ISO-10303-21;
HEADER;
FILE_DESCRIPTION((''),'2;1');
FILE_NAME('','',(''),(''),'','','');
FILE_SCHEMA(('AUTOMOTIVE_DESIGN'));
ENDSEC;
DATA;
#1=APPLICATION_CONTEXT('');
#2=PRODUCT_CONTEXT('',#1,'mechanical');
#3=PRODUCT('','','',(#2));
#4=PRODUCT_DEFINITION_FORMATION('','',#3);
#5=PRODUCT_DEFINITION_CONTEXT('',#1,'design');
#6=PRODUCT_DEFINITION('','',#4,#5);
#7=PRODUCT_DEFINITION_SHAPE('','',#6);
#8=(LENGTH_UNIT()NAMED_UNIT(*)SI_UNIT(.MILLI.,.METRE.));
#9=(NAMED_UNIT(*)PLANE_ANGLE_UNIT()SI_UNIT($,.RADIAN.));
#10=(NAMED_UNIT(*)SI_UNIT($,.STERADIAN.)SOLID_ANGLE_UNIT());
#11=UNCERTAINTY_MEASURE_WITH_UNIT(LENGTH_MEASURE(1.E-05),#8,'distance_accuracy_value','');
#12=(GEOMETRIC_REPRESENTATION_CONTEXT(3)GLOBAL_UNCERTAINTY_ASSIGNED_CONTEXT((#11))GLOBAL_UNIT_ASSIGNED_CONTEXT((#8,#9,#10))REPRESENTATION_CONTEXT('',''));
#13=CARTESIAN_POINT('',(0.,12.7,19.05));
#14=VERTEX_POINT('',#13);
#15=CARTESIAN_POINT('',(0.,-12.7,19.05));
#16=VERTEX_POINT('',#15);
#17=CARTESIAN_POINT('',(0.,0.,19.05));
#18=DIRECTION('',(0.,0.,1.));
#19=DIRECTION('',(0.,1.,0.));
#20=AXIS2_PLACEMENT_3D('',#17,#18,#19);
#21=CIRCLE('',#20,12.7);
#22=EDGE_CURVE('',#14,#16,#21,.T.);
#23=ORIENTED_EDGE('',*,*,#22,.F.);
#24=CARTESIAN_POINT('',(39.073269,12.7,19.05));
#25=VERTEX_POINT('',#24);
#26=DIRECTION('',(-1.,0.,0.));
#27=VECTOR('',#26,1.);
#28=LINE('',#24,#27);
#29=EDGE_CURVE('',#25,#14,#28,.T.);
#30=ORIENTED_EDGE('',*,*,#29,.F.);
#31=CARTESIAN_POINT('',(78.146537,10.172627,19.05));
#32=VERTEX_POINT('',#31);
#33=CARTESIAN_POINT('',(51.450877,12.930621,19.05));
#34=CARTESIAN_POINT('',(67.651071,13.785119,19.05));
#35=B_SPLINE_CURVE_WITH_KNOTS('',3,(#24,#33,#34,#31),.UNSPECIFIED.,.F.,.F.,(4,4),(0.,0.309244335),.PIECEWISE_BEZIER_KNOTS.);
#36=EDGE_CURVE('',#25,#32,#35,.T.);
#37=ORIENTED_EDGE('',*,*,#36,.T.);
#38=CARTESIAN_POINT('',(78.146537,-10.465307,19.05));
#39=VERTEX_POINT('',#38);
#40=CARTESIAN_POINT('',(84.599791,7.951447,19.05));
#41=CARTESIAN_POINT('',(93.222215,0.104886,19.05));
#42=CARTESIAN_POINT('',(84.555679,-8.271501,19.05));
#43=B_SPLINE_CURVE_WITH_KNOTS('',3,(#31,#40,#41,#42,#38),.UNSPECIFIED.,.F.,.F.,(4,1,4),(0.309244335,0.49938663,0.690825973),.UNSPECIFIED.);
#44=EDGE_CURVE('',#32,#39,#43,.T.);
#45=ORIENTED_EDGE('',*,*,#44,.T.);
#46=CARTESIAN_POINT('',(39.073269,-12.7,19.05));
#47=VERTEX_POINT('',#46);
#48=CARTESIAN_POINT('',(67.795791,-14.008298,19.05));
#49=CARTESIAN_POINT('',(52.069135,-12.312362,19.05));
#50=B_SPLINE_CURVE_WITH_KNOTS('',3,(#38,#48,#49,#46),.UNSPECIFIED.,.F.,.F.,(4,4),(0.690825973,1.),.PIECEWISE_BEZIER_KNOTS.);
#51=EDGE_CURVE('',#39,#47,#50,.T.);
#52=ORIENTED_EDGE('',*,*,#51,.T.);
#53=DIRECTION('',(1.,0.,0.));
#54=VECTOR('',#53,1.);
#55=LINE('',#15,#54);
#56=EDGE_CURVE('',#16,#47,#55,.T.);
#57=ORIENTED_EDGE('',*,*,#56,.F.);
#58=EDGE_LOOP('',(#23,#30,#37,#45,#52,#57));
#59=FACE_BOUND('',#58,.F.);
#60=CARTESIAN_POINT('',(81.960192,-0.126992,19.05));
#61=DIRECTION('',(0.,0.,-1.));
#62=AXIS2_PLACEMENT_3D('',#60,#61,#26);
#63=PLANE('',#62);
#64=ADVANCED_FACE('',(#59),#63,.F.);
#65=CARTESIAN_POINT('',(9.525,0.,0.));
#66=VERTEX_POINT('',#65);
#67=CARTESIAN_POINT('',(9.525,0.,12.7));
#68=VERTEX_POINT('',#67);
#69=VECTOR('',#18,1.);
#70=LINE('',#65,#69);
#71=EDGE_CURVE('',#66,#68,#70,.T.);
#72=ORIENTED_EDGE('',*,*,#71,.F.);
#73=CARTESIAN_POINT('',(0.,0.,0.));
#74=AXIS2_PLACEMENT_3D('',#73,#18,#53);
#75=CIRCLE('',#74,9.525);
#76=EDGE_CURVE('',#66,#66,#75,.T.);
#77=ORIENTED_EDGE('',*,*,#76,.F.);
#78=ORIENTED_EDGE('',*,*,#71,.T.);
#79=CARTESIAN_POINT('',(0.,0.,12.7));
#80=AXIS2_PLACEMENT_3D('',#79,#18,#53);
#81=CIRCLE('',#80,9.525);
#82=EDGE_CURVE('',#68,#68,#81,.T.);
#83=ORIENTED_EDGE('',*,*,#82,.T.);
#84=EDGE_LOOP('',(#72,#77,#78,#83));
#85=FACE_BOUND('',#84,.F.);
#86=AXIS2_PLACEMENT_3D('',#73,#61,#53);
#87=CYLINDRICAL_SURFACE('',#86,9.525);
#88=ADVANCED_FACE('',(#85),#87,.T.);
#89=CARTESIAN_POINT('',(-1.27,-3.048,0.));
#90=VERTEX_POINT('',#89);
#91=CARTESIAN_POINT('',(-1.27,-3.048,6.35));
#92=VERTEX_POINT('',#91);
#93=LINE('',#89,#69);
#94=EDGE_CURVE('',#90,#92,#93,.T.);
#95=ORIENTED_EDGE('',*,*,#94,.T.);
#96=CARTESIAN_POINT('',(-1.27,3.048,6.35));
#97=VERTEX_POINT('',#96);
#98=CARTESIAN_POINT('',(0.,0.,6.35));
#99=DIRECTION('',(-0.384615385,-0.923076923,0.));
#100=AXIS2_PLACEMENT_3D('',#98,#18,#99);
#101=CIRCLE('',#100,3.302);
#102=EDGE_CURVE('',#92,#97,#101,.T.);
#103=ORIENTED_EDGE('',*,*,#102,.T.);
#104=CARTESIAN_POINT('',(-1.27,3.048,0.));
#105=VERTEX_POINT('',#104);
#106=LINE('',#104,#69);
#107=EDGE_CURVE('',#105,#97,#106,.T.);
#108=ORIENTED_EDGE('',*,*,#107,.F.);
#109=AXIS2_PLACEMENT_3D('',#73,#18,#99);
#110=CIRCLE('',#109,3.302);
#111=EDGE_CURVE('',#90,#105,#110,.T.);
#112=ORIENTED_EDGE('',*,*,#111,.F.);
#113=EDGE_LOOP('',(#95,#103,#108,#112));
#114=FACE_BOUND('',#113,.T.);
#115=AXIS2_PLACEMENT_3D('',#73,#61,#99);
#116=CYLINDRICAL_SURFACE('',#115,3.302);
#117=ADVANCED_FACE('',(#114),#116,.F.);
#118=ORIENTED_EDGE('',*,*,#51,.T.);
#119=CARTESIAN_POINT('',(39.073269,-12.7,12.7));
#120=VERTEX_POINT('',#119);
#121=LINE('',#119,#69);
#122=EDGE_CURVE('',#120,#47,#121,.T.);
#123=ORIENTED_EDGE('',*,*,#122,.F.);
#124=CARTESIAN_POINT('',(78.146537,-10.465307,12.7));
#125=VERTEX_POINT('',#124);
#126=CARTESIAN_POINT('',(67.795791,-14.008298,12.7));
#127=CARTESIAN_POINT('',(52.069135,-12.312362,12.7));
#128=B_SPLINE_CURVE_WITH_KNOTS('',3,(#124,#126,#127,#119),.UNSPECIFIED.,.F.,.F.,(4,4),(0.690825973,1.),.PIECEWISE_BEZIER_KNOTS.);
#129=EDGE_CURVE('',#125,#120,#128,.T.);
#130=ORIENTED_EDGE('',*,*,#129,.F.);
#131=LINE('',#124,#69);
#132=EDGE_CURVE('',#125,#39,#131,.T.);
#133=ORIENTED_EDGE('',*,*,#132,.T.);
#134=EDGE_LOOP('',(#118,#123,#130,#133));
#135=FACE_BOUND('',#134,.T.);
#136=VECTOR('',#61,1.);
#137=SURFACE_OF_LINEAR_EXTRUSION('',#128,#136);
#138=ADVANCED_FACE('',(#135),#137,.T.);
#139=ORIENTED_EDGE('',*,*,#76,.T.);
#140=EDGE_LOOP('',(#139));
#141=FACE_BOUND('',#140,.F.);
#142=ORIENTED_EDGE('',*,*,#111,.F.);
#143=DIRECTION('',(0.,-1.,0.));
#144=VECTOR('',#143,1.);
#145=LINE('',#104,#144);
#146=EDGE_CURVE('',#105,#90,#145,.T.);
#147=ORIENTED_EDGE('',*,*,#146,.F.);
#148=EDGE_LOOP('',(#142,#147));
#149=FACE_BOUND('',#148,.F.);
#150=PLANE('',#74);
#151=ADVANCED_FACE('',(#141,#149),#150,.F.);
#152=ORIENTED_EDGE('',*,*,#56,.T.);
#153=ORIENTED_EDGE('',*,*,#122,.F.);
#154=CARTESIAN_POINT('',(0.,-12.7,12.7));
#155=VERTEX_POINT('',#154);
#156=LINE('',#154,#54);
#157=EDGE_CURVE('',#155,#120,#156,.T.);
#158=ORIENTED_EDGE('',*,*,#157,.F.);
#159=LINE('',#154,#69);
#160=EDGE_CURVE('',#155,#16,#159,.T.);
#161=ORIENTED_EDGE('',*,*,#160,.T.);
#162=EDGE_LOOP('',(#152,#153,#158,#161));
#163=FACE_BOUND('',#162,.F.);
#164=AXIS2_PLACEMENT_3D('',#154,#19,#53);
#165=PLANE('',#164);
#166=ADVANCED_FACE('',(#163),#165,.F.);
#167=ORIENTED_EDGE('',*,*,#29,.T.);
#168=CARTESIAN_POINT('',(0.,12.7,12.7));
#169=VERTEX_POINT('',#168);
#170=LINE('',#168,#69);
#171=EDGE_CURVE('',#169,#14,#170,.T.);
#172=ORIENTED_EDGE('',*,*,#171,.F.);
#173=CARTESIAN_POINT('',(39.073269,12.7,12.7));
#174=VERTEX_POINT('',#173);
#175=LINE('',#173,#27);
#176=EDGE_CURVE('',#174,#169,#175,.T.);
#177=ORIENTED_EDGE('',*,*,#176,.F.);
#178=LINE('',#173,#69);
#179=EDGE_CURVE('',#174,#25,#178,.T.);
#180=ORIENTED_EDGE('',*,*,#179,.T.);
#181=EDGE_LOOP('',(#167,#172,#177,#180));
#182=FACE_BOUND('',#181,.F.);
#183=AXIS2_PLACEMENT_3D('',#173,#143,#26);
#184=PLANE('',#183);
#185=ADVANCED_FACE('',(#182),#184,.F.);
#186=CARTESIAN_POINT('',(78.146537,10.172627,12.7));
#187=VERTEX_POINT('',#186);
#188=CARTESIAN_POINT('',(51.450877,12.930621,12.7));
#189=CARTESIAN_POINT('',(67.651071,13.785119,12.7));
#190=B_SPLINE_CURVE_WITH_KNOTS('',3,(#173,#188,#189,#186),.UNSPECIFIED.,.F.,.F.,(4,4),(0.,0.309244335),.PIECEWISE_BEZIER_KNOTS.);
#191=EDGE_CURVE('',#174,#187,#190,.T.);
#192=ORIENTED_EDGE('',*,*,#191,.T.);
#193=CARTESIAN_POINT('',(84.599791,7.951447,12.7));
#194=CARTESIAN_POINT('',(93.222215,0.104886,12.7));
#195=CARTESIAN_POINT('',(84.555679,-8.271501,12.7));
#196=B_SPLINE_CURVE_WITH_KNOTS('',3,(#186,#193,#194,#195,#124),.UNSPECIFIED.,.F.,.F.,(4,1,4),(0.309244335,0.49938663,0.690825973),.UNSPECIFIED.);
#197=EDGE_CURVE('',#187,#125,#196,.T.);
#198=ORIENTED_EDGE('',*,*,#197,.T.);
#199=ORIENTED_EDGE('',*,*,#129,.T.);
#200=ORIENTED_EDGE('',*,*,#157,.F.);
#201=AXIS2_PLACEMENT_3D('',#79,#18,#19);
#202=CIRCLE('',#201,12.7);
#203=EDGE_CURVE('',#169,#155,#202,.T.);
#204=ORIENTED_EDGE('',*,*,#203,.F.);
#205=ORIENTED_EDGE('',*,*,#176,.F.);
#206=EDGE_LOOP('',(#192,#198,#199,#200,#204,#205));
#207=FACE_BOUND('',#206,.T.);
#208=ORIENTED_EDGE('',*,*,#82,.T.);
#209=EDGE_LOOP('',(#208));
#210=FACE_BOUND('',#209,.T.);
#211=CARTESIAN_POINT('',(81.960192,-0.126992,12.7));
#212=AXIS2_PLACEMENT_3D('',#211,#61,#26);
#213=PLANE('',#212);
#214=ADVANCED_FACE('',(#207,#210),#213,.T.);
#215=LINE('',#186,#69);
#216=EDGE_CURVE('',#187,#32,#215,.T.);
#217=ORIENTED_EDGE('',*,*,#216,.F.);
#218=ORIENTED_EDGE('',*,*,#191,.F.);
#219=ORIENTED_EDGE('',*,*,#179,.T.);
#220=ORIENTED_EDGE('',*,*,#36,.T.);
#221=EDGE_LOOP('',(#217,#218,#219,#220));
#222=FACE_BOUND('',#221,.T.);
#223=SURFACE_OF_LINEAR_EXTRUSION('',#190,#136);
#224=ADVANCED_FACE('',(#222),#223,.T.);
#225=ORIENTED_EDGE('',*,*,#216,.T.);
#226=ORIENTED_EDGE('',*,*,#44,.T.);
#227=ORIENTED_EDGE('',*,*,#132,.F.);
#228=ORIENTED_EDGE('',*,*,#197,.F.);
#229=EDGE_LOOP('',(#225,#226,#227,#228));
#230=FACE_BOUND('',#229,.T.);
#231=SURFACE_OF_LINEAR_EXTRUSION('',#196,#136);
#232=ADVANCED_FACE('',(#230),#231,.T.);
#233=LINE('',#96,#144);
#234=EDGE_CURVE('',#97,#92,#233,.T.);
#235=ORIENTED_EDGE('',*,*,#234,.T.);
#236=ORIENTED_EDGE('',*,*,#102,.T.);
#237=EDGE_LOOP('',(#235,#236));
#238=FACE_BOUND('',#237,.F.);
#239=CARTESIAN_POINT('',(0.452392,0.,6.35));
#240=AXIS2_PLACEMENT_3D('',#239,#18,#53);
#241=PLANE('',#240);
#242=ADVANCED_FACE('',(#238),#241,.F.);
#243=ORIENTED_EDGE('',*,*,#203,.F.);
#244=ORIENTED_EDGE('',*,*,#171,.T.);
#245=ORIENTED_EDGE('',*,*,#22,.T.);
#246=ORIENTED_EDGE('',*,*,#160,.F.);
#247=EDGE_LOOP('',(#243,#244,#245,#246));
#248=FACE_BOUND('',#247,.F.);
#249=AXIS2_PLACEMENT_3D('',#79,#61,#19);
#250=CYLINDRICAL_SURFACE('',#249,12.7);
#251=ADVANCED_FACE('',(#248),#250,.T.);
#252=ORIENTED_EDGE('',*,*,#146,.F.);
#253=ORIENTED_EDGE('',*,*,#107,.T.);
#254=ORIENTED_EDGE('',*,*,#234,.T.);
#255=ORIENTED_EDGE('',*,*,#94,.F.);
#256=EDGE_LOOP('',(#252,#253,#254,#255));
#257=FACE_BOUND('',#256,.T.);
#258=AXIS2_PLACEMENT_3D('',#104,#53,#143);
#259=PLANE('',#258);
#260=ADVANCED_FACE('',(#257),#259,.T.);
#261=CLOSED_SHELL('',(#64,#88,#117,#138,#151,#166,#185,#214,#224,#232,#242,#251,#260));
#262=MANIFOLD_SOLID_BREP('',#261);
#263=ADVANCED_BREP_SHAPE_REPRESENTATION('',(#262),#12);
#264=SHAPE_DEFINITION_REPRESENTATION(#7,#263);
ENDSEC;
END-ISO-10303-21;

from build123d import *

# Parameters (mm, degrees)
F1_R     = 9.525
F2_DEPTH = 12.7
F3_DEPTH = 6.35
F5_DEPTH = 6.35


with BuildPart() as f2:
    # F1 (on Top) → F2 (new body)
    with BuildSketch(Plane.XY):
        Circle(F1_R)
    extrude(amount=F2_DEPTH)

    # F0 (on Top) → F3 (cut)
    with BuildSketch(Plane.XY):
        with BuildLine():
            Line((-1.27, 3.048), (-1.27, -3.048))
            ThreePointArc((-1.27, -3.048), (3.302, 0), (-1.27, 3.048))
        make_face()
    extrude(amount=F3_DEPTH, mode=Mode.SUBTRACT)

    # F4 (on face) → F5 (join)
    with BuildSketch(Plane.XY.offset(12.7)):
        with BuildLine():
            add(Edge.make_bspline(
                [(78.1465370953, 10.1726271266), (84.5997905756, 7.9514466281), (93.2222153183, 0.1048863469), (84.5556786618, -8.2715012229), (78.1465370953, -10.4653070771)],
                knots=[0.309244335, 0.309244335, 0.309244335, 0.309244335, 0.4993866301, 0.6908259731, 0.6908259731, 0.6908259731, 0.6908259731], degree=3))
            Line((78.1465370953, 10.1726271266), (78.1465370953, -10.4653070771))
        make_face()
        with BuildLine():
            ThreePointArc((0, 12.7), (8.9802561211, 8.9802561211), (12.7, 0))
            ThreePointArc((12.7, 0), (8.9802561211, -8.9802561211), (0, -12.7))
            Line((0, -12.7), (39.0732685476, -12.7))
            add(Edge.make_bspline(
                [(78.1465370953, -10.4653070771), (67.795790613, -14.0082976621), (52.0691349766, -12.3123618235), (39.0732685476, -12.7)],
                knots=[0.6908259731, 0.6908259731, 0.6908259731, 0.6908259731, 1, 1, 1, 1], degree=3))
            Line((78.1465370953, -10.4653070771), (78.1465370953, 10.1726271266))
            add(Edge.make_bspline(
                [(39.0732685476, 12.7), (51.4508770451, 12.9306208488), (67.6510706324, 13.7851189498), (78.1465370953, 10.1726271266)],
                knots=[0, 0, 0, 0, 0.309244335, 0.309244335, 0.309244335, 0.309244335], degree=3))
            Line((39.0732685476, 12.7), (0, 12.7))
        make_face()
        with BuildLine():
            Line((0, 9.525), (0, 12.7))
            ThreePointArc((0, 12.7), (-12.7, 0), (0, -12.7))
            Line((0, -12.7), (0, -9.525))
            ThreePointArc((0, -9.525), (-9.525, 0), (0, 9.525))
        make_face()
        with BuildLine():
            ThreePointArc((0, -12.7), (8.9802561211, -8.9802561211), (12.7, 0))
            ThreePointArc((12.7, 0), (8.9802561211, 8.9802561211), (0, 12.7))
            Line((0, 12.7), (0, 9.525))
            ThreePointArc((0, 9.525), (6.7351920908, 6.7351920908), (9.525, 0))
            ThreePointArc((9.525, 0), (6.7351920908, -6.7351920908), (0, -9.525))
            Line((0, -9.525), (0, -12.7))
        make_face()
        with BuildLine():
            ThreePointArc((9.525, 0), (6.7351920908, 6.7351920908), (0, 9.525))
            Line((0, 9.525), (0, -9.525))
            ThreePointArc((0, -9.525), (6.7351920908, -6.7351920908), (9.525, 0))
        make_face()
        with BuildLine():
            Line((0, -9.525), (0, 9.525))
            ThreePointArc((0, 9.525), (-9.525, 0), (0, -9.525))
        make_face()
    extrude(amount=F5_DEPTH)


solid = f2.part
